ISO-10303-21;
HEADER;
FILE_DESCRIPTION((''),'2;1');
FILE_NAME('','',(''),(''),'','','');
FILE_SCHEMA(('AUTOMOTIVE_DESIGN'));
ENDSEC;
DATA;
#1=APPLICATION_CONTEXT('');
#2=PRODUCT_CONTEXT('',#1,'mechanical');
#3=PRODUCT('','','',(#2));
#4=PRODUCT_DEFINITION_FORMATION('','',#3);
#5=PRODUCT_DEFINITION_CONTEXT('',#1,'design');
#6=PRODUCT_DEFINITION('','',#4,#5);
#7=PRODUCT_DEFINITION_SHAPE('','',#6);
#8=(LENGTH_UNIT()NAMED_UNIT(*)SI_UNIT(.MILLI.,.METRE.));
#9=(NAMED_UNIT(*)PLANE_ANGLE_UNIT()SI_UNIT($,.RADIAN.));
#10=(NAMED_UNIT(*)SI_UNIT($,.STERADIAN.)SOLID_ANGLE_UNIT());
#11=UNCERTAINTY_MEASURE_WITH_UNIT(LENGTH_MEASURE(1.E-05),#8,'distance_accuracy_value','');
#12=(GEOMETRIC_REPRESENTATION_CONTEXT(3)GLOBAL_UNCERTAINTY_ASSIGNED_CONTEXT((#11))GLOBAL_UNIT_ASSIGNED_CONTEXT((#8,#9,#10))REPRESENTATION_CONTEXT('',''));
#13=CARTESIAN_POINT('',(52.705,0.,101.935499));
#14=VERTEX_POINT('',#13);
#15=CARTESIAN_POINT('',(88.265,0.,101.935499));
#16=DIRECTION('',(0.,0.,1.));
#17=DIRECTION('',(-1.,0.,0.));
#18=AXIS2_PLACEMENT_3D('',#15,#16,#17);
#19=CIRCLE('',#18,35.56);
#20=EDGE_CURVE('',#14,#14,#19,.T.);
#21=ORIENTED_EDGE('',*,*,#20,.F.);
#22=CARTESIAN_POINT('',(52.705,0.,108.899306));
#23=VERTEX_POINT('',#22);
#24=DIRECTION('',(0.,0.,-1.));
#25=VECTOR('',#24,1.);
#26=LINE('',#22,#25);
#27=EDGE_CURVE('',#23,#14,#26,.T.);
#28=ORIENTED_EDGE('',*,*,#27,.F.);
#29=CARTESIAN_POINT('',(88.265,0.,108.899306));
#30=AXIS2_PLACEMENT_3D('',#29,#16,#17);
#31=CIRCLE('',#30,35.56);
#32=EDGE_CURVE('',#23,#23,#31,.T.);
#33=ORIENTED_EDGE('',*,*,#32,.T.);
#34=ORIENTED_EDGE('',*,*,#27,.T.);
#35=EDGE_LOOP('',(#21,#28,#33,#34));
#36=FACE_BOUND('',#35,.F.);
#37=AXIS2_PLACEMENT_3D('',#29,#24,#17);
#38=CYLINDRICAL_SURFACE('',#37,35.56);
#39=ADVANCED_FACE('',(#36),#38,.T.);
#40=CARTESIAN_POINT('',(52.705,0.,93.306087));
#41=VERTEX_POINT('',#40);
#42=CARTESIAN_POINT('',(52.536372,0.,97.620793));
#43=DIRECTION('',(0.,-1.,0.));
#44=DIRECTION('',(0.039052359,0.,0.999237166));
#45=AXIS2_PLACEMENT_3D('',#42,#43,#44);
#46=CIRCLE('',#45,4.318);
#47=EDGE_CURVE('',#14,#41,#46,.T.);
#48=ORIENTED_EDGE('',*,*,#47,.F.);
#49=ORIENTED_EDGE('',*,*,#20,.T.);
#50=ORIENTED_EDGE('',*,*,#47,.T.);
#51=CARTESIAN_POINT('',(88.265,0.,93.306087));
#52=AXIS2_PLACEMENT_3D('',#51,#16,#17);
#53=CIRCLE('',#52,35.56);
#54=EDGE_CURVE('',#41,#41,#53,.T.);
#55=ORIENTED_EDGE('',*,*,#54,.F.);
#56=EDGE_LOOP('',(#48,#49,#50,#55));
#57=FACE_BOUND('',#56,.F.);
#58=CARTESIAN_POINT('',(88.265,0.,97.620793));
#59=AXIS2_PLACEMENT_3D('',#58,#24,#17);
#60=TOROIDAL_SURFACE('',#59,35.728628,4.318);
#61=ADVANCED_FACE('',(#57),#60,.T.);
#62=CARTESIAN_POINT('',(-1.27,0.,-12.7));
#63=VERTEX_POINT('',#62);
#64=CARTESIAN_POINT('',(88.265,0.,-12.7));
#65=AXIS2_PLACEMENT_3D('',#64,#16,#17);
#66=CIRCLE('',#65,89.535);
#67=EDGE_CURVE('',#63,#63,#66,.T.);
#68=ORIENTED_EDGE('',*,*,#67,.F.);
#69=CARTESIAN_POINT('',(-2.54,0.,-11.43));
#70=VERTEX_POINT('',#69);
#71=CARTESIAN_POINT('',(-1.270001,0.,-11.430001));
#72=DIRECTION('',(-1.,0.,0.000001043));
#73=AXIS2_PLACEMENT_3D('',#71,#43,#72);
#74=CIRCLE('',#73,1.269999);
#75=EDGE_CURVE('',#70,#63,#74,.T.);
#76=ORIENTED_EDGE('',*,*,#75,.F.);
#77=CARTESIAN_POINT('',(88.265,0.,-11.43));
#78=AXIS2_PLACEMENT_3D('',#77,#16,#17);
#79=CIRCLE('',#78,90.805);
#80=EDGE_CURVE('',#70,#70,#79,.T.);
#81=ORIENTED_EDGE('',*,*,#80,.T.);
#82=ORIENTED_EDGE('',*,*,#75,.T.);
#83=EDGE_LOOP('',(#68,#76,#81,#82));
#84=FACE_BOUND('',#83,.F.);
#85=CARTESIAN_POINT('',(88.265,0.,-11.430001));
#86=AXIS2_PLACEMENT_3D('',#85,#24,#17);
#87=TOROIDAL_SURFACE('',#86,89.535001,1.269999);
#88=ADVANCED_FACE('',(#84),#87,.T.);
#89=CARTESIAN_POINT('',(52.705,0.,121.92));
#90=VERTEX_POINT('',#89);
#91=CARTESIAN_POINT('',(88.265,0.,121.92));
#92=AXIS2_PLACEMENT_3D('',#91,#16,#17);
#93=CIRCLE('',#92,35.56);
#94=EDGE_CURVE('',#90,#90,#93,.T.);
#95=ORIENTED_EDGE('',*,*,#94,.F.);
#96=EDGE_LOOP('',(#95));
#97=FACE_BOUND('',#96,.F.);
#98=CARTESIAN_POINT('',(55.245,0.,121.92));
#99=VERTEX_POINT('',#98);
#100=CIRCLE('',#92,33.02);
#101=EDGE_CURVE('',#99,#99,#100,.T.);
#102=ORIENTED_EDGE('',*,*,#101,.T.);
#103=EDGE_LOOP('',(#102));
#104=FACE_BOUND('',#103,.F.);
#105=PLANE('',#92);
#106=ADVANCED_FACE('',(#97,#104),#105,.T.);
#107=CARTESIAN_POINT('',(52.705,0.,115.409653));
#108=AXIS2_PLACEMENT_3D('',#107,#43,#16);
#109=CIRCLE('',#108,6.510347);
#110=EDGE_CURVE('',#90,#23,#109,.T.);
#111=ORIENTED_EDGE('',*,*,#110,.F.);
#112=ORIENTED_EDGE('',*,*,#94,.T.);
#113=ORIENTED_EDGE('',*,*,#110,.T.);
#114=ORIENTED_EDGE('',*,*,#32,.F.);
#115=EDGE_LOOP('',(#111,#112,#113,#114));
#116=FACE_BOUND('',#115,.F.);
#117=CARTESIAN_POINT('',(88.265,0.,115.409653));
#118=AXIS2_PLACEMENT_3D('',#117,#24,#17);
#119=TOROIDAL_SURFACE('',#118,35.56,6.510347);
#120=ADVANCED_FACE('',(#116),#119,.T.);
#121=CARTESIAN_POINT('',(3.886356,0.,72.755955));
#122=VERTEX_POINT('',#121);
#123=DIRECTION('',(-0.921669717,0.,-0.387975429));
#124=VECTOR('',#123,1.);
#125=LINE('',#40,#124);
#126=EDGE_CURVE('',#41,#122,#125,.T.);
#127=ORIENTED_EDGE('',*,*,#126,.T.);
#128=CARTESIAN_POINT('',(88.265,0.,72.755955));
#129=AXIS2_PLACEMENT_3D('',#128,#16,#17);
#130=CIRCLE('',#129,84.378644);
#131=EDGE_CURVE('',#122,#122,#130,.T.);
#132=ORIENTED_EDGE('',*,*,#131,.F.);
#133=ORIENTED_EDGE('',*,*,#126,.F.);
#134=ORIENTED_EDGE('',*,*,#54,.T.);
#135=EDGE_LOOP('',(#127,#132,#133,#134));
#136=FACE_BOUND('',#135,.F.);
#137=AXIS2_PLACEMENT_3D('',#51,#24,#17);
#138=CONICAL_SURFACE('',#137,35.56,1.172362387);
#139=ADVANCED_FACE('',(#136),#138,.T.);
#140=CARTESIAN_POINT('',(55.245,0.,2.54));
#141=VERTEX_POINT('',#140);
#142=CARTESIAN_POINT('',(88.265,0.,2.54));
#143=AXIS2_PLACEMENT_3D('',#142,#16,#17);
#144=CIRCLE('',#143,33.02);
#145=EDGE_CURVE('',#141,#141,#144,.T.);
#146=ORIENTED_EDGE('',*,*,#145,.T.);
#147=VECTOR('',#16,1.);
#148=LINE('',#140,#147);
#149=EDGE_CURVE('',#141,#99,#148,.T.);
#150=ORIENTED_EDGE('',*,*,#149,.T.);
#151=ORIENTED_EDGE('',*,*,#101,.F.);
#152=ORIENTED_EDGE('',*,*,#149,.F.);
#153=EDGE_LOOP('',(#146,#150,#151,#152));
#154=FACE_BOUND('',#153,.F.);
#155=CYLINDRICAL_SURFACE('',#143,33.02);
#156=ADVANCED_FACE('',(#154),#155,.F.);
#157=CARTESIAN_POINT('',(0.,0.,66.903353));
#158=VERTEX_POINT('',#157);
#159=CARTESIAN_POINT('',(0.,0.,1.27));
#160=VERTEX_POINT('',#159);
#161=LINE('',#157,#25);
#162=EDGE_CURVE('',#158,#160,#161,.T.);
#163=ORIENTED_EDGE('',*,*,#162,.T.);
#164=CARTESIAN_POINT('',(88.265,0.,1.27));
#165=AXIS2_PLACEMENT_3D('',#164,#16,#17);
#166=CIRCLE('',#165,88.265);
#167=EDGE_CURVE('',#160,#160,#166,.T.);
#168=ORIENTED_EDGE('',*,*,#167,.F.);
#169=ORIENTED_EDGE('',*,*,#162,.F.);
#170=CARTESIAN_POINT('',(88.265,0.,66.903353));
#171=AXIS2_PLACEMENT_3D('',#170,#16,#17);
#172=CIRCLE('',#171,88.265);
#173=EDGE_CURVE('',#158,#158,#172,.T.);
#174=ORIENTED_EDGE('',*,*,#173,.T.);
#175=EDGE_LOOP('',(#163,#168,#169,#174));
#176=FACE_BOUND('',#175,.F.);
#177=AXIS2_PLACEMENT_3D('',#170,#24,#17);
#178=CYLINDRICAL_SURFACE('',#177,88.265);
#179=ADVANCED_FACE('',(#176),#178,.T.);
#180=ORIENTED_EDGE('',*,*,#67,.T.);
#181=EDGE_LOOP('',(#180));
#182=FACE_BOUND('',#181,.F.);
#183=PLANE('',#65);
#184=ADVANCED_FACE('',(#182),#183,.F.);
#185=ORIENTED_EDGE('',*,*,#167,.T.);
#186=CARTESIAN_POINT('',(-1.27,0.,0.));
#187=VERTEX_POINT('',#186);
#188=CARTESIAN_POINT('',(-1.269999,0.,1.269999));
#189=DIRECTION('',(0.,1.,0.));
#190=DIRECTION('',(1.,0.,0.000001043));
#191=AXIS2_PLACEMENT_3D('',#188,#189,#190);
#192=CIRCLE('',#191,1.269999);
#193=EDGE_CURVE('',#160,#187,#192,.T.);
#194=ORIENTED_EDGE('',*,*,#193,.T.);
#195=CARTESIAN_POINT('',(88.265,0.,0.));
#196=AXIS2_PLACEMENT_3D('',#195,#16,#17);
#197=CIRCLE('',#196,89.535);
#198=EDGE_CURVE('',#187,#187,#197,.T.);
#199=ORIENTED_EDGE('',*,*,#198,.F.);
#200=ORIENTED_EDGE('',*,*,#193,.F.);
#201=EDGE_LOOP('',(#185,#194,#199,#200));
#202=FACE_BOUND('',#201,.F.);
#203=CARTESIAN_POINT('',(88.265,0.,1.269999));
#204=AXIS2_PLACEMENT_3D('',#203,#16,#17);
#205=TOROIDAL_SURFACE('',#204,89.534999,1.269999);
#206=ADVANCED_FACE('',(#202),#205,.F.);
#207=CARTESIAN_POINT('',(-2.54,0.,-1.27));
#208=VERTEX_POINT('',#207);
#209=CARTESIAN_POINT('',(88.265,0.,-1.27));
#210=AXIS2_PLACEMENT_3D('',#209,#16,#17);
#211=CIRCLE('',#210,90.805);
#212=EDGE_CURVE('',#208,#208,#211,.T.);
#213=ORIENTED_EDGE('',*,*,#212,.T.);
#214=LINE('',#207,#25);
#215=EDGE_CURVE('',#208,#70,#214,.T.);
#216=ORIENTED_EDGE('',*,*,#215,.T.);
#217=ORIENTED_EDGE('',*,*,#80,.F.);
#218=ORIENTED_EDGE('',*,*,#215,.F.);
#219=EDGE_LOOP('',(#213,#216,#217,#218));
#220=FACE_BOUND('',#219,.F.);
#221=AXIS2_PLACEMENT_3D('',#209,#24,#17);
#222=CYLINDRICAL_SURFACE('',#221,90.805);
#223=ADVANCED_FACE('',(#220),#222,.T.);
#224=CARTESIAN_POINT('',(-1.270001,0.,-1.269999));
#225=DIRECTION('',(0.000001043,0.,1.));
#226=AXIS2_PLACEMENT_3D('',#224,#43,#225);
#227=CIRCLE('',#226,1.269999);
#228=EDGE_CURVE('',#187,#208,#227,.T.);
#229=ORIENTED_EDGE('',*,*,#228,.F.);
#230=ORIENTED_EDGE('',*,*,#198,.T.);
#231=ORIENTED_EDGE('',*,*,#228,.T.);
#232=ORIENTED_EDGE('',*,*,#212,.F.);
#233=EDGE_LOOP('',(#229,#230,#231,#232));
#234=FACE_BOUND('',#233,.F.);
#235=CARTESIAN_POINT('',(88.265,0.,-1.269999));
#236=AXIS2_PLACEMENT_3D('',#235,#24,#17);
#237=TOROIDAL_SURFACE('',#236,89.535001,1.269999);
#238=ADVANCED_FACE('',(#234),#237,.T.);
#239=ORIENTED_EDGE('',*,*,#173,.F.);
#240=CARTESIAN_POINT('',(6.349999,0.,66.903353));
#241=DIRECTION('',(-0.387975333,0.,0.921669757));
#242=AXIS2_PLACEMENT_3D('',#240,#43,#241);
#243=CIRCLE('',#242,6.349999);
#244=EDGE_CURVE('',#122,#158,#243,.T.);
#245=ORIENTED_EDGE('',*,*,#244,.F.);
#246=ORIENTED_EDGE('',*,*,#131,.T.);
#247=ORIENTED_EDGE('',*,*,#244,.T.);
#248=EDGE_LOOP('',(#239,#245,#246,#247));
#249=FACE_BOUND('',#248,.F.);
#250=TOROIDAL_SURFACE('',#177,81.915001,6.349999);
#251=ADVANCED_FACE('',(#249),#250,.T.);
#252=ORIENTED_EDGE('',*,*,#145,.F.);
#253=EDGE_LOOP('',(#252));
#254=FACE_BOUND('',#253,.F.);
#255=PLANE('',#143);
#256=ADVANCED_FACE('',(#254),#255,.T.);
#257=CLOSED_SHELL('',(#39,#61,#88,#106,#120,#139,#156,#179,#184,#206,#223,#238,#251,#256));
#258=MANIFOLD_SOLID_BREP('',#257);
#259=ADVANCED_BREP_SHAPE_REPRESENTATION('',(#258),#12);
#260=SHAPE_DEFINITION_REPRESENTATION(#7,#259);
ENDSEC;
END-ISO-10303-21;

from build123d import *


with BuildPart() as f1:
    # F0 (on Front) → F1 (revolve)
    with BuildSketch(Plane.XZ):
        with BuildLine():
            Line((0, 66.903353), (0, 1.27))
            ThreePointArc((0, 1.27), (-0.371974, 0.371974), (-1.27, 0))
            ThreePointArc((-1.27, 0), (-2.168026, -0.371974), (-2.54, -1.27))
            Line((-2.54, -1.27), (-2.54, -11.43))
            ThreePointArc((-2.54, -11.43), (-2.168026, -12.328026), (-1.27, -12.7))
            Line((-1.27, -12.7), (88.265, -12.7))
            Line((88.265, -12.7), (88.265, 2.54))
            Line((88.265, 2.54), (55.245, 2.54))
            Line((55.245, 2.54), (55.245, 121.92))
            Line((55.245, 121.92), (52.705, 121.92))
            ThreePointArc((52.705, 121.92), (46.194653, 115.409653), (52.705, 108.899306))
            Line((52.705, 108.899306), (52.705, 101.935499))
            ThreePointArc((52.705, 101.935499), (48.218372, 97.620793), (52.705, 93.306087))
            Line((52.705, 93.306087), (3.886356, 72.755955))
            ThreePointArc((3.886356, 72.755955), (1.060074, 70.41607), (0, 66.903353))
        make_face()
    revolve(axis=Axis((88.265, 0, 64.713764), (0, 0, 1)))


solid = f1.part
